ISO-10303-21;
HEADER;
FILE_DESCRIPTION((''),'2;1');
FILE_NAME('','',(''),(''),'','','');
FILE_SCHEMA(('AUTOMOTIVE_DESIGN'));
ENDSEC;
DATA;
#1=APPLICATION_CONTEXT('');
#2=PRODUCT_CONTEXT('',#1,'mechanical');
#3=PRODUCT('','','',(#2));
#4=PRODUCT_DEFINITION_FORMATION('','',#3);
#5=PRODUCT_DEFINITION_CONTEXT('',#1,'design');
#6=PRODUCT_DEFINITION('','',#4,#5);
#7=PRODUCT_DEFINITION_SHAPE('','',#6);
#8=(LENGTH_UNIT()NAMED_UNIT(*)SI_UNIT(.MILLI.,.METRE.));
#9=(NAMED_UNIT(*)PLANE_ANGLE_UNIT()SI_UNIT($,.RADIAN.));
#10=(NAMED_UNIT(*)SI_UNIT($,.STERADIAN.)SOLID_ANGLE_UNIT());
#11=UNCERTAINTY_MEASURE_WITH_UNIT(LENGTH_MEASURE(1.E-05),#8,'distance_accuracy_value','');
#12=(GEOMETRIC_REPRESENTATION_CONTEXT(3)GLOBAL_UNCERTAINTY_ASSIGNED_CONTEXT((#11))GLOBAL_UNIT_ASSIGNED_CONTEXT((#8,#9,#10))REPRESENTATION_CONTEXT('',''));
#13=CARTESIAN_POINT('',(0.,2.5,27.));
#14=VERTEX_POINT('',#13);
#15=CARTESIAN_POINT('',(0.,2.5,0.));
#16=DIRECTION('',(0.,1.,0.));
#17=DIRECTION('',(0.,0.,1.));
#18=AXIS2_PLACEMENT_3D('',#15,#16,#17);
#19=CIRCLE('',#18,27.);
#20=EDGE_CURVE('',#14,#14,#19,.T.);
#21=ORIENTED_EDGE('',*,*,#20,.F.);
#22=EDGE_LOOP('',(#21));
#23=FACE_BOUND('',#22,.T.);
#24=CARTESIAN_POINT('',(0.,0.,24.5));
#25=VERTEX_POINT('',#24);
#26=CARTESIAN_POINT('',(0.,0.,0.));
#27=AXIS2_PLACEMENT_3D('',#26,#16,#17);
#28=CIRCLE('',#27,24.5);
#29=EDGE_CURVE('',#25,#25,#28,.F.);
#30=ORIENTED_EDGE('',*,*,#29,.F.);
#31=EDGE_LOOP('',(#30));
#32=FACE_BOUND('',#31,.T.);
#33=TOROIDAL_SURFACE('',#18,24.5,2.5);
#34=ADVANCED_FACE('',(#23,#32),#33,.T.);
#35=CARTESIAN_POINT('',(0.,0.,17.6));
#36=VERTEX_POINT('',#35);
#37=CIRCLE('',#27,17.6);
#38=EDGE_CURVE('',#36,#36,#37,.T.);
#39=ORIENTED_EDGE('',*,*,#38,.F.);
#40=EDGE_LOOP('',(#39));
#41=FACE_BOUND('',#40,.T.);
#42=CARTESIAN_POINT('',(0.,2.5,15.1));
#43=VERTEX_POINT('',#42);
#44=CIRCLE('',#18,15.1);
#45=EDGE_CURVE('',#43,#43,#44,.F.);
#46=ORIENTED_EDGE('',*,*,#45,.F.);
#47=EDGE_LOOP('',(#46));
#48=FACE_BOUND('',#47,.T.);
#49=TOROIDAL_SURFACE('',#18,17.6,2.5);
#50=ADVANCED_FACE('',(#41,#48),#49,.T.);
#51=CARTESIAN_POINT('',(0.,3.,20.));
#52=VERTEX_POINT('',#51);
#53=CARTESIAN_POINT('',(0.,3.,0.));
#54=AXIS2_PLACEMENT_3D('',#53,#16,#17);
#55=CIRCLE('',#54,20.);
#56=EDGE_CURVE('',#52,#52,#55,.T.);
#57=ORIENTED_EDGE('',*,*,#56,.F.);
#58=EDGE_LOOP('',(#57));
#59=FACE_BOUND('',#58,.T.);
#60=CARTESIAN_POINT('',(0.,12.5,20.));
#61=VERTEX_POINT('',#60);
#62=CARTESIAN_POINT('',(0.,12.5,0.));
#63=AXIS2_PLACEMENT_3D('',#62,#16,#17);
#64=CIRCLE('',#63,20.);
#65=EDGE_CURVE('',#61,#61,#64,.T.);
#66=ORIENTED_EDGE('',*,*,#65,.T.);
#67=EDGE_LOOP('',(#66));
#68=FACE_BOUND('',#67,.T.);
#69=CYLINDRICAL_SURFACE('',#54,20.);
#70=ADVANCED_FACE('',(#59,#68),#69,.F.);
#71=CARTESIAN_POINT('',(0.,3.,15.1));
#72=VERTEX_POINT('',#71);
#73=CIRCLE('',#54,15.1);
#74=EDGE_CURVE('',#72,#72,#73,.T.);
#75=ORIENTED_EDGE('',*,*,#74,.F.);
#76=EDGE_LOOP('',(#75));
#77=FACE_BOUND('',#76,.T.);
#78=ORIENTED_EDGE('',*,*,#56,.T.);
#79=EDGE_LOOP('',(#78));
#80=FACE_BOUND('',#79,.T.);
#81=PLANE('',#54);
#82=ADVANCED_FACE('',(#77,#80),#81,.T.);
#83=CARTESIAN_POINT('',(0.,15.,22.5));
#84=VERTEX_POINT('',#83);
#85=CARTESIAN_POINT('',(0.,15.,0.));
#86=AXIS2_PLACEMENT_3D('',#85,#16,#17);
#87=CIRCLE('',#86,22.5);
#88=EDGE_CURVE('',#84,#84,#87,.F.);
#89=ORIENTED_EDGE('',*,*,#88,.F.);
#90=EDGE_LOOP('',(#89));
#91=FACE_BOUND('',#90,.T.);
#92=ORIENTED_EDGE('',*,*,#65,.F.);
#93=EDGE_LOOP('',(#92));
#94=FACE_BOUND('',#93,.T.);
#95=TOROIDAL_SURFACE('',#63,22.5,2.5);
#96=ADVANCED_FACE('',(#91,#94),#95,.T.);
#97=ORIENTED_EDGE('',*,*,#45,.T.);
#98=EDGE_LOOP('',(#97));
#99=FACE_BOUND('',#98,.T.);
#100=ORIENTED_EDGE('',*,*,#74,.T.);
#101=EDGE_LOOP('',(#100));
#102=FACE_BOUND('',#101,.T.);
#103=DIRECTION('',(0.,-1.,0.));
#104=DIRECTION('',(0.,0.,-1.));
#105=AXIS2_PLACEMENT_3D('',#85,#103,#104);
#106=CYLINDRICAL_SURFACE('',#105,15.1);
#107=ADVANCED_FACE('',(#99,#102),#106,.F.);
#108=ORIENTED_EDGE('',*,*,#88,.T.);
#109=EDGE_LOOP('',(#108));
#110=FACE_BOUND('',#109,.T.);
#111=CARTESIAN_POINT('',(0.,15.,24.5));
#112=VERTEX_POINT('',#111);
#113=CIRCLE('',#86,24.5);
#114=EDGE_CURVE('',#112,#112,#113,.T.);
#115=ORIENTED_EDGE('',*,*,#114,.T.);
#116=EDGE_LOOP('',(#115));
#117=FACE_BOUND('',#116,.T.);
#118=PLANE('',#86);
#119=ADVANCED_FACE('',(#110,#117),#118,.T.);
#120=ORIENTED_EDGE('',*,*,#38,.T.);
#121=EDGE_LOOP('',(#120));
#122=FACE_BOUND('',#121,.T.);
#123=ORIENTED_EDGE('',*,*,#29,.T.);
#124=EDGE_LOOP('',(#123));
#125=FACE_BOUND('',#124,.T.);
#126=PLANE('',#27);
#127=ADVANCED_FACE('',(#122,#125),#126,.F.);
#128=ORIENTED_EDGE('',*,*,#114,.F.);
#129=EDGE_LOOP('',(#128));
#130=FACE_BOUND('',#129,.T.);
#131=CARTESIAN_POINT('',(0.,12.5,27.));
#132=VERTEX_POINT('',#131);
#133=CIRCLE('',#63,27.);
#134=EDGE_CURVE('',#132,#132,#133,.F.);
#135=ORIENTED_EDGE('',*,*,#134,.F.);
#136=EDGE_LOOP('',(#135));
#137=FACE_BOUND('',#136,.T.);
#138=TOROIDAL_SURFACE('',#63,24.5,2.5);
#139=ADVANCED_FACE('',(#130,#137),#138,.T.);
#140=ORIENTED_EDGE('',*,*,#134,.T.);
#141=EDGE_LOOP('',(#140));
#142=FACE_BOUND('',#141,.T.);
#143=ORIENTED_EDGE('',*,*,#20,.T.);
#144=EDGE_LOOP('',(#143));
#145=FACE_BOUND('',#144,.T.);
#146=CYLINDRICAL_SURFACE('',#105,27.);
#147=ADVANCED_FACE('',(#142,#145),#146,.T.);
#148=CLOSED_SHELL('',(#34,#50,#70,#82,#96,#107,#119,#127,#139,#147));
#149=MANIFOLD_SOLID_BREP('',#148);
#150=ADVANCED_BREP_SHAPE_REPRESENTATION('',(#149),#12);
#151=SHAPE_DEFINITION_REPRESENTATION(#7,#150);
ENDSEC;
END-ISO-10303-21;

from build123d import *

# Parameters (mm, degrees)
ESQUISSE1_R             = 27
ESQUISSE1_R_2           = 15.1
BOSS_EXTRU_1_DEPTH      = 15
ESQUISSE2_R             = 20
ENL_V_MAT_EXTRU_1_DEPTH = 12
CONG_1_R                = 2.5


with BuildPart() as part:
    # Esquisse1 → Boss.-Extru.1 (new body)
    with BuildSketch(Plane(origin=(0, 0, 0), x_dir=(1, 0, 0), z_dir=(0, 1, 0))):
        with Locations(Location((0, 0, 0), (0, 0, 270))):  # turned: the seam where the file's is
            Circle(ESQUISSE1_R)
        with Locations(Location((0, 0, 0), (0, 0, 270))):  # turned: the seam where the file's is
            Circle(ESQUISSE1_R_2, mode=Mode.SUBTRACT)
    extrude(amount=BOSS_EXTRU_1_DEPTH)

    # Esquisse2 → Enlèv. mat.-Extru.1 (cut)
    with BuildSketch(Plane(origin=(0, 15, 0), x_dir=(-1, 0, 0), z_dir=(0, 1, 0))):
        with Locations(Location((0, 0, 0), (0, 0, 90))):  # turned: the seam where the file's is
            Circle(ESQUISSE2_R)
    extrude(amount=-ENL_V_MAT_EXTRU_1_DEPTH, mode=Mode.SUBTRACT)

    # Congé1
    cong_1_edges = [part.edges().sort_by_distance(p)[0] for p in [
        (0, 15, -20),
        (0, 0, -27),
        (0, 15, -27),
        (0, 0, -15.1),
    ]]
    fillet(cong_1_edges, radius=CONG_1_R)


solid = part.part
